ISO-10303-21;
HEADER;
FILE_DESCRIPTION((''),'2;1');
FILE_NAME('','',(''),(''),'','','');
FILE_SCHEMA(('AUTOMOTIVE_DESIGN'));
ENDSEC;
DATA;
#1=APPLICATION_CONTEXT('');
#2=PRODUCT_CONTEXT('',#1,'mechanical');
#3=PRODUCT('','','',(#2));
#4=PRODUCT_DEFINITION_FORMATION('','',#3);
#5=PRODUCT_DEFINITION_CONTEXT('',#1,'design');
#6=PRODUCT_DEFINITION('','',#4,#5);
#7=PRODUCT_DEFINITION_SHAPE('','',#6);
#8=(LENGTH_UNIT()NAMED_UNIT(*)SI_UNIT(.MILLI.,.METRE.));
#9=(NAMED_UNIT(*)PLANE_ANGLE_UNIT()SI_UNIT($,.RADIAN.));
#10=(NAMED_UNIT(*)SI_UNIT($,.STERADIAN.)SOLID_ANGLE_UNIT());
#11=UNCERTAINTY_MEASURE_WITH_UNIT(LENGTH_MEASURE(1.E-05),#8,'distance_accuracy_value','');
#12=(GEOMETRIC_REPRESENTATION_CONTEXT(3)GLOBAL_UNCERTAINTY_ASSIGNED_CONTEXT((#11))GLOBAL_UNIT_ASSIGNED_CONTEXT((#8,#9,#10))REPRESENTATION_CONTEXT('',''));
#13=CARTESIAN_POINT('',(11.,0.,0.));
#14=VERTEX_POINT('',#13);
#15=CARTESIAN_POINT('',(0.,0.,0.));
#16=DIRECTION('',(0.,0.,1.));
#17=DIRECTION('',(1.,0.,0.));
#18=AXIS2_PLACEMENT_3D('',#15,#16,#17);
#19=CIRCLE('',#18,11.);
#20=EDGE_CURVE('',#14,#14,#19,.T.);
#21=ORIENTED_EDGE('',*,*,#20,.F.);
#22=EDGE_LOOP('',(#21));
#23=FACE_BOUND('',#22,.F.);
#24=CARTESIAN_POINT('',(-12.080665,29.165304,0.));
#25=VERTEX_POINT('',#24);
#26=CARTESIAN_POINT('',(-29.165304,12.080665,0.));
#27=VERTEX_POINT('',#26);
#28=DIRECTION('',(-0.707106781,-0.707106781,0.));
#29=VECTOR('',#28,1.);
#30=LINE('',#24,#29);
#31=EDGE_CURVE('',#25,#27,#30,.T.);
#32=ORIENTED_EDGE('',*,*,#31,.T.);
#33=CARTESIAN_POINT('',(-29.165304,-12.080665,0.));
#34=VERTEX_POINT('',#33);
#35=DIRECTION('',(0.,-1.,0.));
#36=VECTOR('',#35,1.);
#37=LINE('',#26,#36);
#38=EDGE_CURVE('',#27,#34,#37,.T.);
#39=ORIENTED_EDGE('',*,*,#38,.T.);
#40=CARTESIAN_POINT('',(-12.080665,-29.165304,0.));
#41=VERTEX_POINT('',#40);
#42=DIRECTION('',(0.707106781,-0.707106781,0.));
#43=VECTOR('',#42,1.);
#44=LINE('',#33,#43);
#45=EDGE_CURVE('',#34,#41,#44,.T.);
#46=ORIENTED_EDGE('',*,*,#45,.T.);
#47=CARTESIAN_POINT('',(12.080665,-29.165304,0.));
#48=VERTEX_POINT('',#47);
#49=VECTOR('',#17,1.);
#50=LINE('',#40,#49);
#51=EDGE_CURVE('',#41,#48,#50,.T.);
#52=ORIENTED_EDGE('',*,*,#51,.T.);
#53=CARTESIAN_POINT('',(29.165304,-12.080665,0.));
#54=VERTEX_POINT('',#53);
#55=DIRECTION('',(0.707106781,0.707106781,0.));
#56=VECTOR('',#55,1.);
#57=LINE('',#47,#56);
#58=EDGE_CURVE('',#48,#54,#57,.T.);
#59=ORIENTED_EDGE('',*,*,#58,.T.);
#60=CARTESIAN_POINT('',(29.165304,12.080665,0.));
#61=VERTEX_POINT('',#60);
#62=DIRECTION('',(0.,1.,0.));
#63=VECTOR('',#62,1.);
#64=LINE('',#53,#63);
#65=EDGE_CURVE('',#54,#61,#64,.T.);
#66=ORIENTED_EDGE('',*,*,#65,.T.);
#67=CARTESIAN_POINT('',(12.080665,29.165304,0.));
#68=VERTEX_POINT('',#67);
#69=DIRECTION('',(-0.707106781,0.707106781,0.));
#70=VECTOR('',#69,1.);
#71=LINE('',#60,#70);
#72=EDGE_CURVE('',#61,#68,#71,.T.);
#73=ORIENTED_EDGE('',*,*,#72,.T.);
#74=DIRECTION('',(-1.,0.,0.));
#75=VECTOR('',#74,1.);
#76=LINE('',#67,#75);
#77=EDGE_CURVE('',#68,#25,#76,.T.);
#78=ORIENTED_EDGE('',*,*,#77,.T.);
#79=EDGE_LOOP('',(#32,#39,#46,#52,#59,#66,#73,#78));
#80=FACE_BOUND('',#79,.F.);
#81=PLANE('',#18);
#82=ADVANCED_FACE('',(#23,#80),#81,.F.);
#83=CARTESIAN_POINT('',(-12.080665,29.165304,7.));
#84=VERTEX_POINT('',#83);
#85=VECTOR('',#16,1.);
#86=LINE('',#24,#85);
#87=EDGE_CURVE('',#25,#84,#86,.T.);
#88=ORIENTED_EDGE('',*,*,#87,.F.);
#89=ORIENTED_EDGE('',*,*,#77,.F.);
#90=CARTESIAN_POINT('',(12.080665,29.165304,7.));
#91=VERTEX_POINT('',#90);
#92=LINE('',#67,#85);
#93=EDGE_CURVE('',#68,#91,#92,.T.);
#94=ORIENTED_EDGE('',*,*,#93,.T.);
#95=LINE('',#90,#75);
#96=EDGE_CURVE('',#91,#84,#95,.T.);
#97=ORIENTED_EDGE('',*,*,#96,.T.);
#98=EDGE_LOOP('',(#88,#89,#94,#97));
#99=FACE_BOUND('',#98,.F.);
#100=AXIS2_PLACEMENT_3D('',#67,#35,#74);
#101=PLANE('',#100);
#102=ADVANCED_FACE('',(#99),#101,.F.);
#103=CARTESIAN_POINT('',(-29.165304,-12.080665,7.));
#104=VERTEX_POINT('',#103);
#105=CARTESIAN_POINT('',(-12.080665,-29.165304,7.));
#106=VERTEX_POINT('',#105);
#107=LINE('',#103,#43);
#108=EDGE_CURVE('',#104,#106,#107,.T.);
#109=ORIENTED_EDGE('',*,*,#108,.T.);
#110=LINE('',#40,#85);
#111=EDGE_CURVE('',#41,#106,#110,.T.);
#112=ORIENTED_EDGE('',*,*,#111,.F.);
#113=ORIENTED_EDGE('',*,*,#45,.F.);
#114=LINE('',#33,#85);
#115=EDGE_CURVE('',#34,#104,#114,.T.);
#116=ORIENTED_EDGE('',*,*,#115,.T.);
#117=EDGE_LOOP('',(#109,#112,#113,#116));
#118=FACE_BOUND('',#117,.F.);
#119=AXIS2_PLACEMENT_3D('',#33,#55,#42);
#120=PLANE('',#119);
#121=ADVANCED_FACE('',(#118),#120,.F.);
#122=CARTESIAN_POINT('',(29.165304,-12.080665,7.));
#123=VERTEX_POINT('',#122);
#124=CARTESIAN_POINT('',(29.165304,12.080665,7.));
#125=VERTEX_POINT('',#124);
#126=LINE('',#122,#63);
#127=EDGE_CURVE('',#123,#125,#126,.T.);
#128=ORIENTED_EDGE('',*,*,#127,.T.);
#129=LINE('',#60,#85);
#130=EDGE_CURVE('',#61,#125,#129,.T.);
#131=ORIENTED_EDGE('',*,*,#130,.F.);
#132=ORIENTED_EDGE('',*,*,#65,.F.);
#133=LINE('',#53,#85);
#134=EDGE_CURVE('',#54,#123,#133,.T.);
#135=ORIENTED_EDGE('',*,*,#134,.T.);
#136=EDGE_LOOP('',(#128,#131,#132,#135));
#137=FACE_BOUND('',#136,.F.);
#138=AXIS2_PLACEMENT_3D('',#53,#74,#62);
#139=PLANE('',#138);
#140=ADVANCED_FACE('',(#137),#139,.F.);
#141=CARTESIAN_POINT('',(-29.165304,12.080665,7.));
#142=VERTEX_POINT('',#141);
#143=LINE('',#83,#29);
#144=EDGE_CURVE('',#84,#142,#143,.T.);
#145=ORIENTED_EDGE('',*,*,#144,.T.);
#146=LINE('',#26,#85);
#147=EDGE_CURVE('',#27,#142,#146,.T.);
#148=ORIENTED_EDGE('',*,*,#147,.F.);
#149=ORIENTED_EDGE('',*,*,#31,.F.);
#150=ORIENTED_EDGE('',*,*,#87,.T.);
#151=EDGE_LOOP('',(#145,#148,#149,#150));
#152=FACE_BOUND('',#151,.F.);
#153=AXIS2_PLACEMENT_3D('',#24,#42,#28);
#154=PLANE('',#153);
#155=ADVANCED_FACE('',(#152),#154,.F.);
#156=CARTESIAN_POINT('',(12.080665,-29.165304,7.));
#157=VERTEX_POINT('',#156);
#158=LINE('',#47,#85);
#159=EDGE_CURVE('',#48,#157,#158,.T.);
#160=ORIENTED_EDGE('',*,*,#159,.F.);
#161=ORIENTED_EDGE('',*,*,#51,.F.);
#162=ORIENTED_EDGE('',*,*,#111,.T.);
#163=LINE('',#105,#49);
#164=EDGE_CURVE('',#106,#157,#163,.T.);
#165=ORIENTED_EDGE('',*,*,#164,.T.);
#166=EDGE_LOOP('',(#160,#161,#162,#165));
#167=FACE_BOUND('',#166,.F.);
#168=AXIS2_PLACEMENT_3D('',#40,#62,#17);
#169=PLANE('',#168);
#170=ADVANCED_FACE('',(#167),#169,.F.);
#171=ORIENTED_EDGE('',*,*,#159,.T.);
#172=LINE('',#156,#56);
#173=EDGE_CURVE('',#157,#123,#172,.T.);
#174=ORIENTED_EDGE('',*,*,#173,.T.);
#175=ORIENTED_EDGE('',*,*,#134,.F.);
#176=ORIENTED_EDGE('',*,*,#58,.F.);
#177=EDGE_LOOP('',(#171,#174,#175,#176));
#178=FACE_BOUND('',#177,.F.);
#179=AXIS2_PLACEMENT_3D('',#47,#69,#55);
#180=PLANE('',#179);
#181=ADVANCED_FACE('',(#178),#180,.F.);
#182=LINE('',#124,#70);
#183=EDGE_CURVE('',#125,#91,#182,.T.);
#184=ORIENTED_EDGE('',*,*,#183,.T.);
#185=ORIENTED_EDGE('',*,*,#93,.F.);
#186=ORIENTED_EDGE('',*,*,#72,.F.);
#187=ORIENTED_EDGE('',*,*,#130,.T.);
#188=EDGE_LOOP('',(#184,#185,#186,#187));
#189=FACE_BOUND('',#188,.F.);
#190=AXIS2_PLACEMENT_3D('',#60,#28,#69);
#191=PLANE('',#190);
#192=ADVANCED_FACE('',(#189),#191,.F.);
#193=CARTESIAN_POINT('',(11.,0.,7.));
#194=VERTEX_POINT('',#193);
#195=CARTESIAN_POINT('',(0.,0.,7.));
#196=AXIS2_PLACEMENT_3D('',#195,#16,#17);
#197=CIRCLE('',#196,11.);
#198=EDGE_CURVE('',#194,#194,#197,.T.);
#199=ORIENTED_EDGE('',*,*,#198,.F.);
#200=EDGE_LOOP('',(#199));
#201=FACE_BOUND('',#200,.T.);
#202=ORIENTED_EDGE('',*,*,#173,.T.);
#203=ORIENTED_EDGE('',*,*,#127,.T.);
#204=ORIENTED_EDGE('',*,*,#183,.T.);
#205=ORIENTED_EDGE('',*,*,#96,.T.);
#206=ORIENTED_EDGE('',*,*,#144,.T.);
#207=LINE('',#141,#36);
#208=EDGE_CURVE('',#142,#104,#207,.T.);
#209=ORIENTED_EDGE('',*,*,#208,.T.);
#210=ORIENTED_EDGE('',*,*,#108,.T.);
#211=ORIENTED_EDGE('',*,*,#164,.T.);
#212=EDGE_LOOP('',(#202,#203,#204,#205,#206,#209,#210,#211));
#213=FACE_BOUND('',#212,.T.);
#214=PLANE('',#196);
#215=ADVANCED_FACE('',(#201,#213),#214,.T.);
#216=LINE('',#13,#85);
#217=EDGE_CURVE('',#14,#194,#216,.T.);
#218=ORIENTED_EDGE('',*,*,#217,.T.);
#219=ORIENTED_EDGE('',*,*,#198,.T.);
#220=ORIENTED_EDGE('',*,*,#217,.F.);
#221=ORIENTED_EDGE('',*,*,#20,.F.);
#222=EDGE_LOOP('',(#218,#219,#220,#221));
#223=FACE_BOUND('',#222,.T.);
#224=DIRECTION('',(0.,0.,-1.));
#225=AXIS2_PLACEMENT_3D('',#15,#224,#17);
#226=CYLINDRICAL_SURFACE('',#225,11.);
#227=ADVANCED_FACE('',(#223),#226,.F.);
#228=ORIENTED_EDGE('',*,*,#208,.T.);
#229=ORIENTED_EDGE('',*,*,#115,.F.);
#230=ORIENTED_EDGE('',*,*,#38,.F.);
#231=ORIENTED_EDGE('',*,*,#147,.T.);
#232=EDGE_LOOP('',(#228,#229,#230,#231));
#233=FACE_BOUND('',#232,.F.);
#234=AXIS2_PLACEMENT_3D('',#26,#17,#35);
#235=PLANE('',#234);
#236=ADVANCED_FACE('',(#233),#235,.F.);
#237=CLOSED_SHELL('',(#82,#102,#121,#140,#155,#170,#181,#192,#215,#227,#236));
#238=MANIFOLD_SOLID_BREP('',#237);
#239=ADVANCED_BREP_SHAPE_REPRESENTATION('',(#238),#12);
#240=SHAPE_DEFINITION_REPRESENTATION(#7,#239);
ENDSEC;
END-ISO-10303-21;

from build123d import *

# Parameters (mm, degrees)
F0_R     = 11
F1_DEPTH = 7


with BuildPart() as f1:
    # F0 (on Top) → F1 (new body)
    with BuildSketch(Plane.XY):
        Polygon((-12.080665, 29.165304), (-29.165304, 12.080665), (-29.165304, -12.080665), (-12.080665, -29.165304), (12.080665, -29.165304), (29.165304, -12.080665), (29.165304, 12.080665), (12.080665, 29.165304), align=None)
        Circle(F0_R, mode=Mode.SUBTRACT)
    extrude(amount=F1_DEPTH)


solid = f1.part
